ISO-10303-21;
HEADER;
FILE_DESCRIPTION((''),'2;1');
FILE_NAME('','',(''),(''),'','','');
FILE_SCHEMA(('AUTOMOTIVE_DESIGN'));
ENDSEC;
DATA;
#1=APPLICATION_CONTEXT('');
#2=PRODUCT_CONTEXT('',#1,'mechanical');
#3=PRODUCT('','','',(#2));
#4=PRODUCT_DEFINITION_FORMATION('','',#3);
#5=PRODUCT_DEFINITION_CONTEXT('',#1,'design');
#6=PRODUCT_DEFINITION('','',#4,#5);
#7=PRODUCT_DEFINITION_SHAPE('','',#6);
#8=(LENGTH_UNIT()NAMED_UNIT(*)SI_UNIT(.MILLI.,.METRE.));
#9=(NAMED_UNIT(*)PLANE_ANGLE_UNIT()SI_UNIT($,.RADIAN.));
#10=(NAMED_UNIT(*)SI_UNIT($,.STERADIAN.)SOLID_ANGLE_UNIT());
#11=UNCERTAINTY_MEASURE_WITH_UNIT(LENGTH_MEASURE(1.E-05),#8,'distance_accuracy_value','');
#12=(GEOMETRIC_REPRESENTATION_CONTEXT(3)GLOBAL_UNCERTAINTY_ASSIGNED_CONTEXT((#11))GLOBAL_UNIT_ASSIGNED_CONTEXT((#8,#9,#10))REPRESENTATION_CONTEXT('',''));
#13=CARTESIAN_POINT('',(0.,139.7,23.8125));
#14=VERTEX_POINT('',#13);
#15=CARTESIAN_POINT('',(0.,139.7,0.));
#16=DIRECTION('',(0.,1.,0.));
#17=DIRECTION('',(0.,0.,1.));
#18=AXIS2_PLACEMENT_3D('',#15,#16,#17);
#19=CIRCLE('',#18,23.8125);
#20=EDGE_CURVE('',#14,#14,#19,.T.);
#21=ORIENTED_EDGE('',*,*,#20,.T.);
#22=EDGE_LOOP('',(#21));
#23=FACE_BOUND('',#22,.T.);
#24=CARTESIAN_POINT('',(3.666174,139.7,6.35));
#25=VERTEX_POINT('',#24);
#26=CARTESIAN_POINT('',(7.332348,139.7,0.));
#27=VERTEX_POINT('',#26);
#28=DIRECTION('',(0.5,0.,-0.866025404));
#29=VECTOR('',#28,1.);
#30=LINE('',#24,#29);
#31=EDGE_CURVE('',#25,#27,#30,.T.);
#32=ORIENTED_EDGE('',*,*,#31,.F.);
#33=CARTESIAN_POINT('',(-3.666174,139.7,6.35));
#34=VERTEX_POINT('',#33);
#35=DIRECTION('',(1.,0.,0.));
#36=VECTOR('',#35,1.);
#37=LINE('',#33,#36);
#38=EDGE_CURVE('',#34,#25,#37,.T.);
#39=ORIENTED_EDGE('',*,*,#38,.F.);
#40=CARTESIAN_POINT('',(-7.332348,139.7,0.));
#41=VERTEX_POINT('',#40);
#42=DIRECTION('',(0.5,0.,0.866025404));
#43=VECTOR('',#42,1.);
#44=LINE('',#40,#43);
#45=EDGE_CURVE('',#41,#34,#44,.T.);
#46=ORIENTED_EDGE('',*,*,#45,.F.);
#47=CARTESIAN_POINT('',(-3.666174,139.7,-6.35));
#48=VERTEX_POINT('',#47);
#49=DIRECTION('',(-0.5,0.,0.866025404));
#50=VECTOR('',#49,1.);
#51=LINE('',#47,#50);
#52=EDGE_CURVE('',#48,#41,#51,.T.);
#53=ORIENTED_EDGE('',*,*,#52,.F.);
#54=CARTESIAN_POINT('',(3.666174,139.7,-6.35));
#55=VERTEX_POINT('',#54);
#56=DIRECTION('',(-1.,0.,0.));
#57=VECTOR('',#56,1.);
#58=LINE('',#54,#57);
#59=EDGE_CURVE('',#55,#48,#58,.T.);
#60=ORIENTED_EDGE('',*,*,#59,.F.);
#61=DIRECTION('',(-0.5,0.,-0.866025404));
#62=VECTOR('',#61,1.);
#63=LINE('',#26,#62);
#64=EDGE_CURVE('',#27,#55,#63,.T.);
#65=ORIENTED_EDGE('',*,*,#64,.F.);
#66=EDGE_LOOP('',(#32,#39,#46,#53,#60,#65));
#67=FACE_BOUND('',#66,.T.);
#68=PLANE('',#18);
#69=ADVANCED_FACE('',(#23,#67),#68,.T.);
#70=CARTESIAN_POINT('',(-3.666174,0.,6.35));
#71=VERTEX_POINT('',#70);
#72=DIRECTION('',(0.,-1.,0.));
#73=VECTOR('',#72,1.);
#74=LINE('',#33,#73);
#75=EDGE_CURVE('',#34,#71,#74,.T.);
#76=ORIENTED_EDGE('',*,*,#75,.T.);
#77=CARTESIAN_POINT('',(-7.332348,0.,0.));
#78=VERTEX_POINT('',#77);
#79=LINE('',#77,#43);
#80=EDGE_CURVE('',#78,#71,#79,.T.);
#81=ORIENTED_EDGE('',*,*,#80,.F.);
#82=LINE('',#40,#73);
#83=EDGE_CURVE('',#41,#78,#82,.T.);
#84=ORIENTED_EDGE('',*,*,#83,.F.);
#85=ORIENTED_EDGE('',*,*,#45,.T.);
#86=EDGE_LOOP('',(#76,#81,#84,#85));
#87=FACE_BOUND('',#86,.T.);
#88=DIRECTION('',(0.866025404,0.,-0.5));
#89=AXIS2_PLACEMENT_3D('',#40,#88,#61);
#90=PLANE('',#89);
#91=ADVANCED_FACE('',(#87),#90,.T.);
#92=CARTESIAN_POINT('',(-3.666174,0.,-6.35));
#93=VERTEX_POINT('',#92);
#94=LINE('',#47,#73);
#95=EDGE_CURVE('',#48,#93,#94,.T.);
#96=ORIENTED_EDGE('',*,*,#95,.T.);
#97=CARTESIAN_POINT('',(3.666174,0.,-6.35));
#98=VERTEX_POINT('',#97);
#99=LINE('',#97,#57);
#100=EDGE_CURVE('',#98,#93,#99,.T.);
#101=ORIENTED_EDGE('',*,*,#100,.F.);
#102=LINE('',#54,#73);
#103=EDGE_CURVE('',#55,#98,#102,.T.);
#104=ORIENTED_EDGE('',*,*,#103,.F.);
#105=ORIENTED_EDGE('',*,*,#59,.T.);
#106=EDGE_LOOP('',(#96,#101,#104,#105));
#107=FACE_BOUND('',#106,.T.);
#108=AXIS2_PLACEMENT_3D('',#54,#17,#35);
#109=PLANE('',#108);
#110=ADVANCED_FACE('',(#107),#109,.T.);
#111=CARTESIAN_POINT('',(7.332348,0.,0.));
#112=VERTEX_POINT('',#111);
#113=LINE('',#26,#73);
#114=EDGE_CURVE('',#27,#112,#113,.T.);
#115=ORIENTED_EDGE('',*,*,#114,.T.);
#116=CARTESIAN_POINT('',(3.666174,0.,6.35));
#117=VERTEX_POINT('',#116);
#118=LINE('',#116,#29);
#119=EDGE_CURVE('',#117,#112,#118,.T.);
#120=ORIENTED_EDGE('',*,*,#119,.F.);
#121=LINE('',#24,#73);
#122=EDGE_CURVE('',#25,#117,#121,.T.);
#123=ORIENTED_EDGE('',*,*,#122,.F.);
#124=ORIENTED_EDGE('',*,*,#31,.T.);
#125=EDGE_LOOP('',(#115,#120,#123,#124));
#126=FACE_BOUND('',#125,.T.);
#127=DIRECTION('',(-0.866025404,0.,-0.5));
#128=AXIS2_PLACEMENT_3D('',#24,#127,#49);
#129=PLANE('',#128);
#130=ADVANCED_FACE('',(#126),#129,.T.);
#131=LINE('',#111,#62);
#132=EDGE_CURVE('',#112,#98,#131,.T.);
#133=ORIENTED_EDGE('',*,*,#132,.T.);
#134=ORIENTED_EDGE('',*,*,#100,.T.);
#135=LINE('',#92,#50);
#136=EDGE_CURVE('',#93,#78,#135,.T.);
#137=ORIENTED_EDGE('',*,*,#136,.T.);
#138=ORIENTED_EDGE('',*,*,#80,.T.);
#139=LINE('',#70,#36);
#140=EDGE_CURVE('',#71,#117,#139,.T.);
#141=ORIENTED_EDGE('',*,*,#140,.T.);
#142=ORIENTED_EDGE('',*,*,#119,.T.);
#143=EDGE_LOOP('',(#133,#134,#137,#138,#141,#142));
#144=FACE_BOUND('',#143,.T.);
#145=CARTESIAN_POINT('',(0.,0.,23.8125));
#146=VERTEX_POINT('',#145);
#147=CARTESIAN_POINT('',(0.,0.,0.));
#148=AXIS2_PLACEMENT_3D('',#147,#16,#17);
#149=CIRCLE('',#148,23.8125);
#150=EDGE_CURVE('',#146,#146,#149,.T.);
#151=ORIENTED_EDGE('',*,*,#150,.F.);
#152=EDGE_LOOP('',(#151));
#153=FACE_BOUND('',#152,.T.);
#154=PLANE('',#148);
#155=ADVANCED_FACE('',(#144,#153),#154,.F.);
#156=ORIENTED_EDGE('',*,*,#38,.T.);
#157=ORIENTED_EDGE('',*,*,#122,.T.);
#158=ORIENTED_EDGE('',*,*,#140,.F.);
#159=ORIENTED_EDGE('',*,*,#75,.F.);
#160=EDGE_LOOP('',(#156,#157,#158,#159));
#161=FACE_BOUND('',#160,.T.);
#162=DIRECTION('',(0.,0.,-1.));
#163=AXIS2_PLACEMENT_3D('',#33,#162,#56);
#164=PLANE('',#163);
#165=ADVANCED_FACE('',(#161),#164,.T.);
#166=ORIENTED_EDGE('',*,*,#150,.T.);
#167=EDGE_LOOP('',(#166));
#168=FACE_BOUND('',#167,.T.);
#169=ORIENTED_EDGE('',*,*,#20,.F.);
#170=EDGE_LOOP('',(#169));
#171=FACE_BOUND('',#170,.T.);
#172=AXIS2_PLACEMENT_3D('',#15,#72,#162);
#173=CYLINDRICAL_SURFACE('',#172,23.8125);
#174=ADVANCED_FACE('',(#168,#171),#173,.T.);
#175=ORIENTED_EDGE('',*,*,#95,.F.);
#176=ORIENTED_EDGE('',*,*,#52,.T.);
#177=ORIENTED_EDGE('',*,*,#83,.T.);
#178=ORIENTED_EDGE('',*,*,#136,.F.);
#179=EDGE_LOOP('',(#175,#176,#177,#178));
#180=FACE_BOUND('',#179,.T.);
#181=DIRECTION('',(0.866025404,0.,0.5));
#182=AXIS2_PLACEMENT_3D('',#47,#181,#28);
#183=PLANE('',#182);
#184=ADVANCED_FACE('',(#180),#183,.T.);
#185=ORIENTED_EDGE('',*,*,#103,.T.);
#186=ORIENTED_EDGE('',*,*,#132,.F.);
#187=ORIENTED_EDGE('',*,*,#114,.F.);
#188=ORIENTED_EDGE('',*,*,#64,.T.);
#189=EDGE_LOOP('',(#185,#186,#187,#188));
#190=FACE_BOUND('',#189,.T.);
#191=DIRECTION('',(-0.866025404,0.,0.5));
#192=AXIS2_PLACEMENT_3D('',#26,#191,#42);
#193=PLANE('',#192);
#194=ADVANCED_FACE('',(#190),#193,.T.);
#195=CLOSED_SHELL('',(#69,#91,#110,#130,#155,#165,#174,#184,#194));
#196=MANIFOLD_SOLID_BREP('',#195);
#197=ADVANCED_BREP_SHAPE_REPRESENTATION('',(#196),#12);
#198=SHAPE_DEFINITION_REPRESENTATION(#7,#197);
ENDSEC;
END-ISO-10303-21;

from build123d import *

# Parameters (mm, degrees)
SKETCH1_R           = 23.8125
BOSS_EXTRUDE1_DEPTH = 139.7


with BuildPart() as part:
    # Sketch1 → Boss-Extrude1 (new body)
    with BuildSketch(Plane(origin=(0, 0, 0), x_dir=(1, 0, 0), z_dir=(0, 1, 0))):
        Circle(SKETCH1_R)
        Polygon((3.666174209, -6.35), (7.332348419, 0), (3.666174209, 6.35), (-3.666174209, 6.35), (-7.332348419, 0), (-3.666174209, -6.35), align=None, mode=Mode.SUBTRACT)
    extrude(amount=BOSS_EXTRUDE1_DEPTH)


solid = part.part
